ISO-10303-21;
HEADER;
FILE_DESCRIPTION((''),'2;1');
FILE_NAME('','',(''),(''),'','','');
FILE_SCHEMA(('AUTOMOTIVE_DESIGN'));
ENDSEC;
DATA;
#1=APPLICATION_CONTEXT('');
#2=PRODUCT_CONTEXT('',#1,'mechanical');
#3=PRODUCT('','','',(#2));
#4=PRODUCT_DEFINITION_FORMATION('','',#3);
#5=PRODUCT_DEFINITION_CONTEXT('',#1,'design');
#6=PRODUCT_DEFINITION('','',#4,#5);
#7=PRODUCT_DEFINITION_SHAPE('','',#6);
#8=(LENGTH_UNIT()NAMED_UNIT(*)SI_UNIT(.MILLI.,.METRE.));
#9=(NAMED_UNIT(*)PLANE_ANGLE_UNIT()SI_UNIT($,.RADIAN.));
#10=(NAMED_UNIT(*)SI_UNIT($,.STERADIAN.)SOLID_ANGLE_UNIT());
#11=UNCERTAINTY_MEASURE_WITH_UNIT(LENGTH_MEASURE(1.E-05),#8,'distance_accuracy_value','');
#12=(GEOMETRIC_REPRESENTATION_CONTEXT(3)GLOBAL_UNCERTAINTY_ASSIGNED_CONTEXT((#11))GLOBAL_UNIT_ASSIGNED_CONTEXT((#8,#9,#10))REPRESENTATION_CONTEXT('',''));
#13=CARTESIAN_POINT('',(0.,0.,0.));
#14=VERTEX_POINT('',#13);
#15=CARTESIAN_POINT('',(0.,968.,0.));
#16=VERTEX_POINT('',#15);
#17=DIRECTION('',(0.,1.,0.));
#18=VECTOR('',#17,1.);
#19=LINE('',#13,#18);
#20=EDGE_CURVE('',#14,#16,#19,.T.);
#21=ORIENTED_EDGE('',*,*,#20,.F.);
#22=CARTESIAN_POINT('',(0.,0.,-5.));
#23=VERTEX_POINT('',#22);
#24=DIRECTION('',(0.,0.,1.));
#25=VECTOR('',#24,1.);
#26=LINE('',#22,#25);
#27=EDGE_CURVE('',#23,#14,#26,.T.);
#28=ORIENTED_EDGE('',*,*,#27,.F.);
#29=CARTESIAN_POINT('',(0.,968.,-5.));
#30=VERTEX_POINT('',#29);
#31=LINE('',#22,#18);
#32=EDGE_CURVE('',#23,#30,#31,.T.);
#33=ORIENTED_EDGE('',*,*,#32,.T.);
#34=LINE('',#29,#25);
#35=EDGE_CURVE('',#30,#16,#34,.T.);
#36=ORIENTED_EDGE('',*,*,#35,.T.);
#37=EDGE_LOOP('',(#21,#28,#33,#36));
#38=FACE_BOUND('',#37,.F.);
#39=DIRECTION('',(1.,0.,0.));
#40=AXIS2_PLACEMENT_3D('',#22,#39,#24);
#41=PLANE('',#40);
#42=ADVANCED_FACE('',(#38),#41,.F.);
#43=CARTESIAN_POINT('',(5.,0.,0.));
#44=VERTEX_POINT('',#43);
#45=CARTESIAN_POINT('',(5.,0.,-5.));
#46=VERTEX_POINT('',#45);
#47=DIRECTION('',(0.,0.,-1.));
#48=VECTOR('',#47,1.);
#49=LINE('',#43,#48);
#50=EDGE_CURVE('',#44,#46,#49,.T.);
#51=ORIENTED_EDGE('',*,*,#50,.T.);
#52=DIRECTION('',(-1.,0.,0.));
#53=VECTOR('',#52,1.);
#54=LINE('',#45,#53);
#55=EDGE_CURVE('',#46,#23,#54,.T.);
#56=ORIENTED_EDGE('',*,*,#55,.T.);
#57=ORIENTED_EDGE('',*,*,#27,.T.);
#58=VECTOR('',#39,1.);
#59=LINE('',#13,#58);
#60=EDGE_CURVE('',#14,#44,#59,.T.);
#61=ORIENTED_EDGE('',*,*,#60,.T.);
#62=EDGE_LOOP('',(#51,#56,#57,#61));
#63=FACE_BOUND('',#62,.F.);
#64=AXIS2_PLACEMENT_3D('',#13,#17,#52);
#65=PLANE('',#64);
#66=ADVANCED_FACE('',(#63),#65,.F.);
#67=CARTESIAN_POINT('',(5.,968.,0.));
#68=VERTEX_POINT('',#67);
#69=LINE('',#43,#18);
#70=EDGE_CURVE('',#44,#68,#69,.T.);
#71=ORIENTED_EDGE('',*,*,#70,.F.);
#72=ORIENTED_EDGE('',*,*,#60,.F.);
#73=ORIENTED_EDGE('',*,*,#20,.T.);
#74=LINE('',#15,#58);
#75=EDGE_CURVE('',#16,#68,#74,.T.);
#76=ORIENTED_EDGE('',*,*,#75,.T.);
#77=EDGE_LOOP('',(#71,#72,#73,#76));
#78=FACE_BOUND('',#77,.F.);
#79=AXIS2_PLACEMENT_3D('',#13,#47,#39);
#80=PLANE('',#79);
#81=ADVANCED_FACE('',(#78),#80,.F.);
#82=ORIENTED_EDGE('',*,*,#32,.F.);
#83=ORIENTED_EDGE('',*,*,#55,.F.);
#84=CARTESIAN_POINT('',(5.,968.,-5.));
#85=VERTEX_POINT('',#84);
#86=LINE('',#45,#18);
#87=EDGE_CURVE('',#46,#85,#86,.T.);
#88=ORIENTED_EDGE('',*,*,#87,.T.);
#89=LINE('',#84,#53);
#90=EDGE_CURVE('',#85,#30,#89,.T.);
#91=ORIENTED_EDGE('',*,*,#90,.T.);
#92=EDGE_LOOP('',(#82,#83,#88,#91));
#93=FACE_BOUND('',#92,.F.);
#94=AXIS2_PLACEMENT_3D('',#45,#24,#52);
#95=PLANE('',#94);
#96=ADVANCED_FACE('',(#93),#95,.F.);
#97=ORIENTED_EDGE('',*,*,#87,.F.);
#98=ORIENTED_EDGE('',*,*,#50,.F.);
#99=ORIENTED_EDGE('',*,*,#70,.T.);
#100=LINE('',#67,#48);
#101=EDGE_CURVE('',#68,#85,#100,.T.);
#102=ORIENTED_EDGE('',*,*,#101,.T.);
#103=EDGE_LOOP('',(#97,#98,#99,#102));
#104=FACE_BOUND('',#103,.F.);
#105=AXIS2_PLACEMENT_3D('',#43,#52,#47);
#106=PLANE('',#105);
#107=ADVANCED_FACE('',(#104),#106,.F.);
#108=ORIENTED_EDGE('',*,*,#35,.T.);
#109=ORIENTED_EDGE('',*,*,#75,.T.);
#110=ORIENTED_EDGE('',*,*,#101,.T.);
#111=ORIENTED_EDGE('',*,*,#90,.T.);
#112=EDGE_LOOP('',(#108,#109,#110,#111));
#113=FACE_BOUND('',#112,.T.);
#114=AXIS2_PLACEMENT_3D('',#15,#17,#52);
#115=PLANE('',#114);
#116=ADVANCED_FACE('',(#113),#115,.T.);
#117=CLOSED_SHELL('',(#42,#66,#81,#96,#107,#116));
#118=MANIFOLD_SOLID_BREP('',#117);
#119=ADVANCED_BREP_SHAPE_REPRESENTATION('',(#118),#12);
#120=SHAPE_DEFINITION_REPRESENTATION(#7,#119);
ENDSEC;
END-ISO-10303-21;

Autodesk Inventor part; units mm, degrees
ref_plane "YZ Plane" through (0, 0, 0) normal (1, 0, 0) x (0, 1, 0)
ref_plane "XZ Plane" through (0, 0, 0) normal (0, 1, 0) x (-1, 0, 0)
ref_plane "XY Plane" through (0, 0, 0) normal (0, 0, 1) x (1, 0, 0)
sketch "Sketch4" plane through (0, 0, 0) normal (0, 1, 0) x (-1, 0, 0)
  line L0 (0, 0) -> (-5, 0)
  line L1 (-5, 0) -> (-5, -5)
  line L2 (-5, -5) -> (0, -5)
  line L3 (0, -5) -> (0, 0)
  dimension "d103" = 5
  dimension "d104" = 5
extrude "Extrusion7" add sketch "Sketch4" along normal blind 968
properties part number "airfoil"
